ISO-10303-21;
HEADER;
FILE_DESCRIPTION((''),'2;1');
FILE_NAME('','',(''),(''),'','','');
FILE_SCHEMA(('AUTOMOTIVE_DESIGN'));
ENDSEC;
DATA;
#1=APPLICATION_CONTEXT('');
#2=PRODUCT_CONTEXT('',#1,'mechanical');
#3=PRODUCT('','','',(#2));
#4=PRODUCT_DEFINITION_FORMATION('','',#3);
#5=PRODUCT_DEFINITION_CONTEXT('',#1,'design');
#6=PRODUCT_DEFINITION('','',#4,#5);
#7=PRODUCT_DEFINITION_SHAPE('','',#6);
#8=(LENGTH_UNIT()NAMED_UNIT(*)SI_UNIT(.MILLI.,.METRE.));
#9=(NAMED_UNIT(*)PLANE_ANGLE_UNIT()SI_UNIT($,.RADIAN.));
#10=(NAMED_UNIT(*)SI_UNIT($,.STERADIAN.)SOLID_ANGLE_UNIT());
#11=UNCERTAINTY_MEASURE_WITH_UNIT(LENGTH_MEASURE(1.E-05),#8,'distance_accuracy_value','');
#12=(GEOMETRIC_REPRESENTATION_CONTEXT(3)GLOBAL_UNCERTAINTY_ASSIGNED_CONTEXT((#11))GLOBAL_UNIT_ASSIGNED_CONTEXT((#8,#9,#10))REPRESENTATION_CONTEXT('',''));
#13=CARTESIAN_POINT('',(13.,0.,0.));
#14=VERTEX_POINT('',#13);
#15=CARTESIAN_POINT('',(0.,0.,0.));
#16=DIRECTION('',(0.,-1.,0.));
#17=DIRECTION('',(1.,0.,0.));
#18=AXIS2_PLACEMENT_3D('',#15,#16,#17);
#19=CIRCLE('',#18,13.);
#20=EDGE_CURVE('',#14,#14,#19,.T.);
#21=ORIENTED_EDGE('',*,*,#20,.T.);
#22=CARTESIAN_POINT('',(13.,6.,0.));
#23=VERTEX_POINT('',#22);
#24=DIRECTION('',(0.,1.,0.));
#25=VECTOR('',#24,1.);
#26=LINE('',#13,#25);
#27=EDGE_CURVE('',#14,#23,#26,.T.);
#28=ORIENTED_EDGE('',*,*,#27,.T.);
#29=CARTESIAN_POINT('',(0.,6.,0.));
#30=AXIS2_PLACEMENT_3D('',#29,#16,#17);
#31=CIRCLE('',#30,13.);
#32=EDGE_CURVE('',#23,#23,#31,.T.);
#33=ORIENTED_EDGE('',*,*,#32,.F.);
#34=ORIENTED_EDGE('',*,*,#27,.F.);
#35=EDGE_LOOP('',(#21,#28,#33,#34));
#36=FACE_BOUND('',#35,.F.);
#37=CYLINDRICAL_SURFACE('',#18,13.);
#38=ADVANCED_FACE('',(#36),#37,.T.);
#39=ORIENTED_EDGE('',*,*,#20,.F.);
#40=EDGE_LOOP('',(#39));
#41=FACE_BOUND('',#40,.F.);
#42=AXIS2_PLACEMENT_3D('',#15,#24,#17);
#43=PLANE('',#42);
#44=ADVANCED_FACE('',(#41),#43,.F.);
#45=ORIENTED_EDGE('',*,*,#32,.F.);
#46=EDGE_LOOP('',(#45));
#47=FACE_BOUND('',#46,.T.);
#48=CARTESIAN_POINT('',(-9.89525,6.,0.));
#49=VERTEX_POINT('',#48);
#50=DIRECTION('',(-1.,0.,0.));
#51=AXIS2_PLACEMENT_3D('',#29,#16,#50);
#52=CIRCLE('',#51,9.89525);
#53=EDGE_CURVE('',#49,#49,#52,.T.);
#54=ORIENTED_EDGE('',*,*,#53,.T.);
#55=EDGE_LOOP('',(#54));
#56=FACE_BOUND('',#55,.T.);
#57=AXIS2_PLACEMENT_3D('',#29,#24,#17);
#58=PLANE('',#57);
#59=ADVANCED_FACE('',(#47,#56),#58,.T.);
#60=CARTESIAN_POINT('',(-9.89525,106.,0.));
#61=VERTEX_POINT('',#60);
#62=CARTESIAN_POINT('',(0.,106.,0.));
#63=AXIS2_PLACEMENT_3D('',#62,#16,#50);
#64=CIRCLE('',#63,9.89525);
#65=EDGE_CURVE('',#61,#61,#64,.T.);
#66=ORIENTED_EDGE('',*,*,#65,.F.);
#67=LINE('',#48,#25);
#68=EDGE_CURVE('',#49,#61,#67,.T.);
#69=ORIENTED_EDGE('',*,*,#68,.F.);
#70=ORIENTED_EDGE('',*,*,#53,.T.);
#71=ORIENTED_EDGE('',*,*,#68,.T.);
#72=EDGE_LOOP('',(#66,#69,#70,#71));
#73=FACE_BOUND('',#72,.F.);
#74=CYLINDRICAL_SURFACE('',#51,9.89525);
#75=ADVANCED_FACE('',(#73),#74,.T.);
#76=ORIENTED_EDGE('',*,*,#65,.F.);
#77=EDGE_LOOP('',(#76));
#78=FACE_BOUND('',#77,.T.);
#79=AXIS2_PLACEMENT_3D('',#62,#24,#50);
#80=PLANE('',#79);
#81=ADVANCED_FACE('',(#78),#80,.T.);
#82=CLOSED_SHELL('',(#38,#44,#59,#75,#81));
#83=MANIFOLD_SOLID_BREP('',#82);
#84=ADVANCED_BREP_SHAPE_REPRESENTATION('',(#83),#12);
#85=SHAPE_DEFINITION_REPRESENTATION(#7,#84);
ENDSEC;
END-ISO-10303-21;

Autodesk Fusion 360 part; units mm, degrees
sketch "Sketch1" plane through (0, 0, 0) normal (0, 1, 0) x (1, 0, 0)
  circle A0 centre (0, 0) radius 13
  dimension "d1" = 26
extrude "Extrude1" add sketch "Sketch1" along normal blind 6
sketch "Sketch2" plane through (0, 6, 0) normal (0, 1, 0) x (-1, 0, 0)
  circle A0 centre (0, 0) radius 13
  circle A1 centre (0, 0) radius 10
  dimension "d4" = 20
extrude "Extrude2" add sketch "Sketch2" along normal blind 100 contours A1
thread "Thread1" "ISO Metric profile 20.0 M20x2.5 6g" major diameter 19.7905 minor diameter 16.938 pitch 2.5 angle 60 resizes the face on face at (-9.9503, 39.3333, -0.9957) from (0, 21, 0) to (0, 106, 0)
